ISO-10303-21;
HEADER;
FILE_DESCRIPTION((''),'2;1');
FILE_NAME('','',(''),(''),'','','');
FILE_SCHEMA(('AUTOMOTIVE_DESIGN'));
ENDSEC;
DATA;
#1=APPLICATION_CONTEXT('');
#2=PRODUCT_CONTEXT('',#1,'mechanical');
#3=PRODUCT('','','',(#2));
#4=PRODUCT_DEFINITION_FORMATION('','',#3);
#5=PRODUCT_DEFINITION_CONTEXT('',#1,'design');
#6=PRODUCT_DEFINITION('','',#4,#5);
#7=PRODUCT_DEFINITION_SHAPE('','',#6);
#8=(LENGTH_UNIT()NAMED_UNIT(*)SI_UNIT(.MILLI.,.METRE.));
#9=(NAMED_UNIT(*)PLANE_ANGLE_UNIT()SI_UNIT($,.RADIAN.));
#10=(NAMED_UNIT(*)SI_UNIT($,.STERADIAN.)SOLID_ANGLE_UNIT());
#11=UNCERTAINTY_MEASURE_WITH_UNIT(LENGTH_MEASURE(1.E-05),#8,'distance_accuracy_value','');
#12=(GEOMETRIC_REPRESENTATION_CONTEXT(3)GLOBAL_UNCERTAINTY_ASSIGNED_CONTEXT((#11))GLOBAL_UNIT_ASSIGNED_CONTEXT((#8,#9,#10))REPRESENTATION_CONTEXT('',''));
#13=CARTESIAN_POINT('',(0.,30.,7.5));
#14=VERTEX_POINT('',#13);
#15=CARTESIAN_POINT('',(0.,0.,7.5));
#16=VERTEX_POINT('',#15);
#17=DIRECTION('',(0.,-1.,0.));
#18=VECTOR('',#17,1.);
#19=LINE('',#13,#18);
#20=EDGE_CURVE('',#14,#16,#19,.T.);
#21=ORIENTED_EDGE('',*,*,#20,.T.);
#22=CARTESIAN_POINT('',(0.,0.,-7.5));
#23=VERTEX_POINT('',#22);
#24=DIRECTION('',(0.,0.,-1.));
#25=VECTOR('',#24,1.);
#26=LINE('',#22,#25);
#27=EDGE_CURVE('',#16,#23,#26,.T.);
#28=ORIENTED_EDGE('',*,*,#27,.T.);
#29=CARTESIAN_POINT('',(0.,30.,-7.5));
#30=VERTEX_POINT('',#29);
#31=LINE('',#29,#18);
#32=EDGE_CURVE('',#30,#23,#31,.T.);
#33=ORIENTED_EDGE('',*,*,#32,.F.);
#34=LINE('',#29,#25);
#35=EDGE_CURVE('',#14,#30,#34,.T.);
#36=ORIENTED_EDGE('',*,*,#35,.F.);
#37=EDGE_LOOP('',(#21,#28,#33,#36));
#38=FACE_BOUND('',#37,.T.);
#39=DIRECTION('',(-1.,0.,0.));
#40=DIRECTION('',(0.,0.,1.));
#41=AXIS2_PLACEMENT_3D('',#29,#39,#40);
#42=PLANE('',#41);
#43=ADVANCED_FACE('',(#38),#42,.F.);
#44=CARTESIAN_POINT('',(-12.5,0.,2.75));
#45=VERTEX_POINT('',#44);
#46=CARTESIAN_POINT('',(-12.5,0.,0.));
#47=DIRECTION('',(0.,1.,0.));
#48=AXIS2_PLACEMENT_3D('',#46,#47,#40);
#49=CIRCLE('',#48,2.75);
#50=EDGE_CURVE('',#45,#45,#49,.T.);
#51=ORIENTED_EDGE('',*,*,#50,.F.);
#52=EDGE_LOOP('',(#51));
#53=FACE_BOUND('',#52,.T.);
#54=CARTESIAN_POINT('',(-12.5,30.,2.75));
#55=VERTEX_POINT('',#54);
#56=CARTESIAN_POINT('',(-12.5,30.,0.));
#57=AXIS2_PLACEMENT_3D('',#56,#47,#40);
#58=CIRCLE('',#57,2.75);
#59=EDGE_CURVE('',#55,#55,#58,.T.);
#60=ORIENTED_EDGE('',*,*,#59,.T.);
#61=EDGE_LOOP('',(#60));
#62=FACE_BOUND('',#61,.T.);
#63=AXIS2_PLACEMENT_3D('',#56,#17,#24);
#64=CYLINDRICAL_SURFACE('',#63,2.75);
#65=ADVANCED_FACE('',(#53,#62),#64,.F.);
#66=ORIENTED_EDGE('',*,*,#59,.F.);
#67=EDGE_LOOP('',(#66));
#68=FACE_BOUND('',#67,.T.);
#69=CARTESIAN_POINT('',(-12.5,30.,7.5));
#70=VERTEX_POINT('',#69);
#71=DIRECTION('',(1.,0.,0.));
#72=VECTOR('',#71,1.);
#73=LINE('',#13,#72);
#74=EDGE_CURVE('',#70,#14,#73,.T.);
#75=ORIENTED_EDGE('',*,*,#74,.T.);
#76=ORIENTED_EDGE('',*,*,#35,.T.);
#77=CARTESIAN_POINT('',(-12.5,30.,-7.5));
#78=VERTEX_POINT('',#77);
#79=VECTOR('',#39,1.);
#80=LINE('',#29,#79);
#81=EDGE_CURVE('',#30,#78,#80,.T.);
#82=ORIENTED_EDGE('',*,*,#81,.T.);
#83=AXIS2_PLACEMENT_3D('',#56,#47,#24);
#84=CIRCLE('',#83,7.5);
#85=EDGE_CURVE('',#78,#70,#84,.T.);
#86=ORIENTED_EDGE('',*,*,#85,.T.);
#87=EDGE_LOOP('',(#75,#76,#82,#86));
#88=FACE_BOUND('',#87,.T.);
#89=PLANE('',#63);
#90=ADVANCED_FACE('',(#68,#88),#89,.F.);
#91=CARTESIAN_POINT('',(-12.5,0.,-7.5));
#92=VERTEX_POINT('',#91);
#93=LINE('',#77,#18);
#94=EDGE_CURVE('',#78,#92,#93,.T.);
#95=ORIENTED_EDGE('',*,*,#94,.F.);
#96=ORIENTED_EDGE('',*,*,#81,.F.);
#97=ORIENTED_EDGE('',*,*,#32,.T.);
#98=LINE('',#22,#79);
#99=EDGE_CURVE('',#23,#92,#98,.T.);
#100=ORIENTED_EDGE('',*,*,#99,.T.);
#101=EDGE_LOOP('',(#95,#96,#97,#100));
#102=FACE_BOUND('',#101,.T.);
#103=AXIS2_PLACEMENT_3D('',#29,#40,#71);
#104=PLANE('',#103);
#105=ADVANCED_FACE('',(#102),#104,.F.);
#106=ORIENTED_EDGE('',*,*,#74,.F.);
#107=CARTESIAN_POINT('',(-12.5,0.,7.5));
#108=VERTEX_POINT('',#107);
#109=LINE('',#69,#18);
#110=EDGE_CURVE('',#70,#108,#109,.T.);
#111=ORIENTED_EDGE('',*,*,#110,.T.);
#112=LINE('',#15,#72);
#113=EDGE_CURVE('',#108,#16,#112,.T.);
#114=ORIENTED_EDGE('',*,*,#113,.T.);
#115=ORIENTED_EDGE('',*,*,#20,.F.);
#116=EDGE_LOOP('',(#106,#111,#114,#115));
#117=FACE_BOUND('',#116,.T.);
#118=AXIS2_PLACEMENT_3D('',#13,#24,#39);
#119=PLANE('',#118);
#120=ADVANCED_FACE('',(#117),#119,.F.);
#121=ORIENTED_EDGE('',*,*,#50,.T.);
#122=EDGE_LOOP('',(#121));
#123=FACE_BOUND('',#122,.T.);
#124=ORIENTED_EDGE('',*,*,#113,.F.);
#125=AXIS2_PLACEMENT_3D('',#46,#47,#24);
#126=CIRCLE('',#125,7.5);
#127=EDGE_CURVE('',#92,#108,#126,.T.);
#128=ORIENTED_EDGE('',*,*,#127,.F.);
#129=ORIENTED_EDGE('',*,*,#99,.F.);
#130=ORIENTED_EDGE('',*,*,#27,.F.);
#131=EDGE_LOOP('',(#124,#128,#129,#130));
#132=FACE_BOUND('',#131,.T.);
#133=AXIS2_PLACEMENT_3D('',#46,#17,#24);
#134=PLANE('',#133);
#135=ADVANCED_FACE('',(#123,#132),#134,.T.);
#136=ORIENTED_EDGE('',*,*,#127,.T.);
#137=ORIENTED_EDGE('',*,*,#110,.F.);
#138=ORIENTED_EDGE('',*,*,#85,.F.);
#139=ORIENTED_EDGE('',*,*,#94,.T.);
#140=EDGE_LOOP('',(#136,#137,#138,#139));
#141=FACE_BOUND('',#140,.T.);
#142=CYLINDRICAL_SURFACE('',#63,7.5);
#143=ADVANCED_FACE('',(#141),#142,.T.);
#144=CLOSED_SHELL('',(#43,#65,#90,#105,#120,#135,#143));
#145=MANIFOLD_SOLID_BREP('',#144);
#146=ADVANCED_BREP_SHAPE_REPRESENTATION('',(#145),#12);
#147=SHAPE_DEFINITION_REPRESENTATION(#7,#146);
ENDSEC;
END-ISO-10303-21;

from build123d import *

# Parameters (mm, degrees)
SKETCH1_R           = 2.75
BOSS_EXTRUDE1_DEPTH = 30


with BuildPart() as part:
    # Sketch1 → Boss-Extrude1 (new body)
    with BuildSketch(Plane(origin=(0, 0, 0), x_dir=(1, 0, 0), z_dir=(0, 1, 0))):
        with BuildLine():
            Line((0, 7.5), (-12.5, 7.5))
            ThreePointArc((-12.5, 7.5), (-20, 0), (-12.5, -7.5))
            Line((-12.5, -7.5), (0, -7.5))
            Line((0, -7.5), (0, 7.5))
        make_face()
        with Locations(Location((-12.5, 0, 0), (0, 0, 270))):
            Circle(SKETCH1_R, mode=Mode.SUBTRACT)
    extrude(amount=BOSS_EXTRUDE1_DEPTH)


solid = part.part
